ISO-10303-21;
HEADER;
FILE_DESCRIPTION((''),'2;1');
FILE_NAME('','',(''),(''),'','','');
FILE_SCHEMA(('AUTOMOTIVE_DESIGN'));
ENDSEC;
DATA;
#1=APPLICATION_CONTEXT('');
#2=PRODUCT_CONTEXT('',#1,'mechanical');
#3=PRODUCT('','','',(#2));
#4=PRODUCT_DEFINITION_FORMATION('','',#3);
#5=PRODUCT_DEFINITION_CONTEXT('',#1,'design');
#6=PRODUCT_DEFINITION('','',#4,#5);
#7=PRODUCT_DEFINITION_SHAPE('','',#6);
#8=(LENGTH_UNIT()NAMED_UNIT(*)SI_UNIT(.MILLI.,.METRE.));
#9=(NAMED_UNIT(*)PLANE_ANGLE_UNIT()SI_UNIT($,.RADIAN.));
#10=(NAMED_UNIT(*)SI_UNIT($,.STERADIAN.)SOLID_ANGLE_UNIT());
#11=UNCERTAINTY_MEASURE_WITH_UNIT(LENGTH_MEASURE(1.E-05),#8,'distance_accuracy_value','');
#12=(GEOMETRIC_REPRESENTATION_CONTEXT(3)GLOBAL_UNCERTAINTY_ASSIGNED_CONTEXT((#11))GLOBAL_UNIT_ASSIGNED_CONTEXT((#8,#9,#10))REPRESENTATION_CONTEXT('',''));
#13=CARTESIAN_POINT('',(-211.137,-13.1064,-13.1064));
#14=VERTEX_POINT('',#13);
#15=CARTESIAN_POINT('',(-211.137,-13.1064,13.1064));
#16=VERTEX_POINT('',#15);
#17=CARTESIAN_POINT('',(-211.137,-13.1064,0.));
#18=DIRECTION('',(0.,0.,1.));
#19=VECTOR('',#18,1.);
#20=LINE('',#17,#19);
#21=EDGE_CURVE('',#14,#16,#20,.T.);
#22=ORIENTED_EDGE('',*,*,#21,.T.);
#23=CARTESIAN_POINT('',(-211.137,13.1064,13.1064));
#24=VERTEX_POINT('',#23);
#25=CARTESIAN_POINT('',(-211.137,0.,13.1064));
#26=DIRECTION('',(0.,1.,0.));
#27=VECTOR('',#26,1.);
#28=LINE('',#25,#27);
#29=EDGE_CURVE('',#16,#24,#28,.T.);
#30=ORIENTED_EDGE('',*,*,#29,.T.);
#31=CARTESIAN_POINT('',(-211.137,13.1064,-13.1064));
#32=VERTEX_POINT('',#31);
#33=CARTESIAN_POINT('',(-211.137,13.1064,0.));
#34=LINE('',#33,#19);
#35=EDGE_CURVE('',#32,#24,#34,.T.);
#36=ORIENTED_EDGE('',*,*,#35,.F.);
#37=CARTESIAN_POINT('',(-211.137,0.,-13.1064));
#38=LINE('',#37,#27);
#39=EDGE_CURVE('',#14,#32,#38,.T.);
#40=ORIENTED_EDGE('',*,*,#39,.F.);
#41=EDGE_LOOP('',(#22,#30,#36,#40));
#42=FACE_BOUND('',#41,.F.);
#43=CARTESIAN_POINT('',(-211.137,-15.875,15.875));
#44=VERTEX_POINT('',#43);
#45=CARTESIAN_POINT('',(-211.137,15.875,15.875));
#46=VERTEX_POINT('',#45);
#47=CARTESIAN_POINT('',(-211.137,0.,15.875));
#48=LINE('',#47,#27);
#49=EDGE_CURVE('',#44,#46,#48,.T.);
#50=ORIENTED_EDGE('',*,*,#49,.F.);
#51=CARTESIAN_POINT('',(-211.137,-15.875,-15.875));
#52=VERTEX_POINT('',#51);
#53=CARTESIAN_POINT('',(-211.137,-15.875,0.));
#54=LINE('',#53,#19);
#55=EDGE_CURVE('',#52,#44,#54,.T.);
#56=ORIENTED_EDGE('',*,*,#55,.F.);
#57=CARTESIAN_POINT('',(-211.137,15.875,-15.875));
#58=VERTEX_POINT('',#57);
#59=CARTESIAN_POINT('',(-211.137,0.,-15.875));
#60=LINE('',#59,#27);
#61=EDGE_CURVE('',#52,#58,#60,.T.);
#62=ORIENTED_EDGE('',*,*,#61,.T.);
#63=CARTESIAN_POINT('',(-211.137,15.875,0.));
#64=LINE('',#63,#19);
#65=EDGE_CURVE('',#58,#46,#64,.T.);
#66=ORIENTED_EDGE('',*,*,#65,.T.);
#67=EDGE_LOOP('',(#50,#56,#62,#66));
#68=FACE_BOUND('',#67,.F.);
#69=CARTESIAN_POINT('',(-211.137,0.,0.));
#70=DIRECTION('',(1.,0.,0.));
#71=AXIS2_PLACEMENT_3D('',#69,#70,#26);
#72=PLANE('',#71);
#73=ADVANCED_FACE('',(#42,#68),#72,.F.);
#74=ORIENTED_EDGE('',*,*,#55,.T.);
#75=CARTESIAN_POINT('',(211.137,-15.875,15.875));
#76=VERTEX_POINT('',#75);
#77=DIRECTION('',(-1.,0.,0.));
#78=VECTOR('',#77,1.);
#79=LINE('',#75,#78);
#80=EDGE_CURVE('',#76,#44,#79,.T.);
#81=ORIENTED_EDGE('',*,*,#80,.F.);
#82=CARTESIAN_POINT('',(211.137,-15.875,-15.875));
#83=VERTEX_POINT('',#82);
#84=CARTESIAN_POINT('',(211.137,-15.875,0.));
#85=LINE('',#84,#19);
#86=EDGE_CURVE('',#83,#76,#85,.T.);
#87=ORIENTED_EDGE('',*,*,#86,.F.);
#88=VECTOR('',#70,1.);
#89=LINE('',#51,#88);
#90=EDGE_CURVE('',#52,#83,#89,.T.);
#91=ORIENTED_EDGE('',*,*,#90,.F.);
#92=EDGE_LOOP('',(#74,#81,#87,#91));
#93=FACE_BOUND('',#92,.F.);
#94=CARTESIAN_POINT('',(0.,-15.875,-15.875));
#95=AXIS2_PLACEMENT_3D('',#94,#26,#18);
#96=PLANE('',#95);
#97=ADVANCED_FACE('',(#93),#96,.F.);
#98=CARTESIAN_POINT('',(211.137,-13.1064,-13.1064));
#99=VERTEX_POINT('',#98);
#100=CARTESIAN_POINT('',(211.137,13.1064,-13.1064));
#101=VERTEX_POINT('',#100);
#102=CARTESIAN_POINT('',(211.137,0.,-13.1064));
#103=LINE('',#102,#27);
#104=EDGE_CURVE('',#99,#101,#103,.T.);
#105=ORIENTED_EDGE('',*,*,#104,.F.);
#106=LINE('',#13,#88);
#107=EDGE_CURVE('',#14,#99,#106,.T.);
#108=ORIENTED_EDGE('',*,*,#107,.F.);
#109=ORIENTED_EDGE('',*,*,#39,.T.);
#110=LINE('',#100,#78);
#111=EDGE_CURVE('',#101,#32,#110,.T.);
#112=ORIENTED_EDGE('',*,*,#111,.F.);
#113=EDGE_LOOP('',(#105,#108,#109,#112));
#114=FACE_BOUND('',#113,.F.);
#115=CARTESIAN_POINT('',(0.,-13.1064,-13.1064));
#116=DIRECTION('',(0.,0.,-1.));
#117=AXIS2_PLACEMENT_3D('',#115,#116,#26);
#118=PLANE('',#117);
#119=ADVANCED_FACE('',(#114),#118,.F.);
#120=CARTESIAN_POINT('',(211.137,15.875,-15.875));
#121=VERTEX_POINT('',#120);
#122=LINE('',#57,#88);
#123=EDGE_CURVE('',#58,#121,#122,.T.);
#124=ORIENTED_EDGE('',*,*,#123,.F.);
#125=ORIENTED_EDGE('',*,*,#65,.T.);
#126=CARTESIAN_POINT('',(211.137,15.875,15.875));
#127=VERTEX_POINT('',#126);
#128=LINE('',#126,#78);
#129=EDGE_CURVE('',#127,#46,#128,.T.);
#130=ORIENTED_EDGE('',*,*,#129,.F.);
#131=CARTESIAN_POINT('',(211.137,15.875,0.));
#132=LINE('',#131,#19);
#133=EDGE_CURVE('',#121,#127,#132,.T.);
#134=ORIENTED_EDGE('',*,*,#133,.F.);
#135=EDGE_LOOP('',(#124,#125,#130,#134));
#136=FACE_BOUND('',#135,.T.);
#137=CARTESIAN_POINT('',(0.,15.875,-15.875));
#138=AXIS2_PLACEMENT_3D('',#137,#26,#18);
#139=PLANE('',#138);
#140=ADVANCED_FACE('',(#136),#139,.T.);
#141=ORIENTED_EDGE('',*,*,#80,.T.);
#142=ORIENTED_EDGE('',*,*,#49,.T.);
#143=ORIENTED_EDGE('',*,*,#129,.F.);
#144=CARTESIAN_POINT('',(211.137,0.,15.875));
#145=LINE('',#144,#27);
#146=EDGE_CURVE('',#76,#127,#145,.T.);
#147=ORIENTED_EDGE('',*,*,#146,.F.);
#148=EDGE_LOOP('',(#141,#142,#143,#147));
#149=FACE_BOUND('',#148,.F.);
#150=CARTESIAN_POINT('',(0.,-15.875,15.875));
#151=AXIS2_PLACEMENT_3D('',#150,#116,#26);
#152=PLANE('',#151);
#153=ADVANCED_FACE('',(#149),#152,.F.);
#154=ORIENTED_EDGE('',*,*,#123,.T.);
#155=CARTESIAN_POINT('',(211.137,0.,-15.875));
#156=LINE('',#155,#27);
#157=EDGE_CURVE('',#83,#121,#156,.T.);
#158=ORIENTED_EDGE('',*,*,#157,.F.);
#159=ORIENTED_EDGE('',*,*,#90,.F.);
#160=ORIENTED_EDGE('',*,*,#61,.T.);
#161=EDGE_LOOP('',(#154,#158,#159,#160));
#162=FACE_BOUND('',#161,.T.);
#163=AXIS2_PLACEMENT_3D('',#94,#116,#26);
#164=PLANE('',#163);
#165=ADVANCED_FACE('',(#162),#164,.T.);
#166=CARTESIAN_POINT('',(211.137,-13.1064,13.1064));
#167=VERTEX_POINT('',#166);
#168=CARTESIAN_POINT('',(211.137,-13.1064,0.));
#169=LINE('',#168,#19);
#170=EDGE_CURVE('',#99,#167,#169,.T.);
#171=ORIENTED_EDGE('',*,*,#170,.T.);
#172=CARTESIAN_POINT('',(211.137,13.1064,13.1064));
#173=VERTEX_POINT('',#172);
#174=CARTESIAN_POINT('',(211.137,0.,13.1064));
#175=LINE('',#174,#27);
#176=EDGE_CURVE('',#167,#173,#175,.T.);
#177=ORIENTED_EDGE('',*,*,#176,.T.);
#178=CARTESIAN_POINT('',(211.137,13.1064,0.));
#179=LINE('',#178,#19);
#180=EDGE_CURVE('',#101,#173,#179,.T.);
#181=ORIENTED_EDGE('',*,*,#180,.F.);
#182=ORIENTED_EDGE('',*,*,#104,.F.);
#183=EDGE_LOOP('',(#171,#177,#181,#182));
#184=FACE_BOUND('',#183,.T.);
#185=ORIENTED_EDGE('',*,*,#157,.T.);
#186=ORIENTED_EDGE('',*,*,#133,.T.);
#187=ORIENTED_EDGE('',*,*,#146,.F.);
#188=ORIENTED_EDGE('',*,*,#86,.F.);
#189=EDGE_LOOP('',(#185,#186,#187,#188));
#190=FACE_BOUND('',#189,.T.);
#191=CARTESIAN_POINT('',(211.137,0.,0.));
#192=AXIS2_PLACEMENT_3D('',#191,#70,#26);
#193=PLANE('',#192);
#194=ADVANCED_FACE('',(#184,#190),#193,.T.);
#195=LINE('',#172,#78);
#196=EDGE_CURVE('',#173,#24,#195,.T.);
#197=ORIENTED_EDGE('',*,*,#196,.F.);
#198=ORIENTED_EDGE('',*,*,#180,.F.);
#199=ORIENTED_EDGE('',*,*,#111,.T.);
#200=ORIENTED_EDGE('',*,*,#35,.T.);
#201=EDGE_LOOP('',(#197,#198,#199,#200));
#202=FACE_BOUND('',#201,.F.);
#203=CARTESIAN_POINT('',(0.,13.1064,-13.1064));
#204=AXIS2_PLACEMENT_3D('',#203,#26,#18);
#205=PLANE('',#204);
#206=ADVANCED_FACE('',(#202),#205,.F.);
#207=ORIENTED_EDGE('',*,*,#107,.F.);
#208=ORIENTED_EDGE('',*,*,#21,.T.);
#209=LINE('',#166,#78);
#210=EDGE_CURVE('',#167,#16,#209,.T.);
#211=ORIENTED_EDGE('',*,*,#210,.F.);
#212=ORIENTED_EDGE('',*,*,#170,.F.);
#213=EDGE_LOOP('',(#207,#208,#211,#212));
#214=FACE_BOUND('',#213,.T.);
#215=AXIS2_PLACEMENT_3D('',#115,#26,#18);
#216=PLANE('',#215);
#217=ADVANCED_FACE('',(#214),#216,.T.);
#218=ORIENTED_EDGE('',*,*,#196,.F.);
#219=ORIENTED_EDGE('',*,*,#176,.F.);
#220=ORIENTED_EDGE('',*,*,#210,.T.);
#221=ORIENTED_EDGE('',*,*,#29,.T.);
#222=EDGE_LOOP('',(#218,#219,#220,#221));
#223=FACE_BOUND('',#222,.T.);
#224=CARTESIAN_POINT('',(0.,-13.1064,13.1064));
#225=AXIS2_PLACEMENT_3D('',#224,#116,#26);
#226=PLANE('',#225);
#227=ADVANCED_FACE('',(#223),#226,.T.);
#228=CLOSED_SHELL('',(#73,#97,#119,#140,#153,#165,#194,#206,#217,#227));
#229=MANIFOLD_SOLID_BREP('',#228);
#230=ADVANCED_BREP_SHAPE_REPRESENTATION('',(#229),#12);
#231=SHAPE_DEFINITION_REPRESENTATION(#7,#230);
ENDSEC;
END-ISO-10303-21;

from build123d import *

# Parameters (mm, degrees)
SKETCH_W       = 31.75
SKETCH_H       = 31.75
SKETCH_W_2     = 26.2128
SKETCH_H_2     = 26.2128
PAD_DEPTH      = 211.137
PAD_DEPTH_BACK = 211.137


with BuildPart() as part:
    # Sketch → Pad (new body, two sides)
    with BuildSketch(Plane.YZ) as pad_sk:
        Rectangle(SKETCH_W, SKETCH_H)
        Rectangle(SKETCH_W_2, SKETCH_H_2, mode=Mode.SUBTRACT)
    extrude(amount=PAD_DEPTH)
    extrude(pad_sk.sketch, amount=-PAD_DEPTH_BACK)


solid = part.part
